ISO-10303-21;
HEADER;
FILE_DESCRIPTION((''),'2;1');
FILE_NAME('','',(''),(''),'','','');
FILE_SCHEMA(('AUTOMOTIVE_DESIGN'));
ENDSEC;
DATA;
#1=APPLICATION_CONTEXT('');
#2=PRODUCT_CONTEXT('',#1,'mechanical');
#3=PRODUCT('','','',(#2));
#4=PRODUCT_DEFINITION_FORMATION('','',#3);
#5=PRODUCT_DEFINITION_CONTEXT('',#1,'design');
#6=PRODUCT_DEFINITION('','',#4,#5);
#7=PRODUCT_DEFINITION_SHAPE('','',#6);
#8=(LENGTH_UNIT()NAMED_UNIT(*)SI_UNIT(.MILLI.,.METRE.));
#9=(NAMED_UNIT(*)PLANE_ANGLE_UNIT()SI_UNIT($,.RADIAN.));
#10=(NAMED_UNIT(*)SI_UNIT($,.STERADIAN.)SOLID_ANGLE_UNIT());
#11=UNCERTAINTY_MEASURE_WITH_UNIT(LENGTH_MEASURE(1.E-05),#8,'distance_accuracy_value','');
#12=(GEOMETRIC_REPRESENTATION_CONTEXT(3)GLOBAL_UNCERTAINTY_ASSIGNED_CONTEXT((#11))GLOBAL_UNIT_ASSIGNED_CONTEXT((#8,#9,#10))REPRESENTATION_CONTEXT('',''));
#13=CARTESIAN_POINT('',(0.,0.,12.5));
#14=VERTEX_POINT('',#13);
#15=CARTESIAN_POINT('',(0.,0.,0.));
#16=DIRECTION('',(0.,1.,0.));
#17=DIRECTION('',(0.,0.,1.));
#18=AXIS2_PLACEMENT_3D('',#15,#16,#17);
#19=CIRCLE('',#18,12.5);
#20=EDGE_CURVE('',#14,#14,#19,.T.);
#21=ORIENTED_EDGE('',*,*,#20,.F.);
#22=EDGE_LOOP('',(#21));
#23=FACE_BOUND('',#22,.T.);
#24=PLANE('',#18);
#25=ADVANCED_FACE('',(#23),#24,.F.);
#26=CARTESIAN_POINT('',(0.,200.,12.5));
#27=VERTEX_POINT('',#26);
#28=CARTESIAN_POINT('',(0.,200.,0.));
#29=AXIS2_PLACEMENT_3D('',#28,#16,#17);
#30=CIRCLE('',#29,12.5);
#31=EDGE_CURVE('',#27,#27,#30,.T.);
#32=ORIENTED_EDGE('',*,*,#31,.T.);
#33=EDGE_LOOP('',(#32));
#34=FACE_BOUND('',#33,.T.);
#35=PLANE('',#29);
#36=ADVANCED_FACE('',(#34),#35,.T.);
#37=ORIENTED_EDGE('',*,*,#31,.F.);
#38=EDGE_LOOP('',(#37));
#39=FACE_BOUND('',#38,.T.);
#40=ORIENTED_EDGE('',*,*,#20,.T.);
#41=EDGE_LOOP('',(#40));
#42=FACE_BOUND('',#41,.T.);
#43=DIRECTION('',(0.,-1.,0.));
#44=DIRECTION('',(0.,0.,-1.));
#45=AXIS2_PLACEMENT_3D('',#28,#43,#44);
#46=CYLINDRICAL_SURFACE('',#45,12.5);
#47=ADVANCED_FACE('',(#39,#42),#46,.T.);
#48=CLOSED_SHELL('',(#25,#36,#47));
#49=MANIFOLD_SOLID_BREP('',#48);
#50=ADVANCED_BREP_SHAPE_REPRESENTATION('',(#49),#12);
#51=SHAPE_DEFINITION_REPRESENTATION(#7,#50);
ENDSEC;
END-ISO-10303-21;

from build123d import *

# Parameters (mm, degrees)
SKETCH1_R           = 12.5
BOSS_EXTRUDE1_DEPTH = 200


with BuildPart() as part:
    # Sketch1 → Boss-Extrude1 (new body)
    with BuildSketch(Plane(origin=(0, 0, 0), x_dir=(1, 0, 0), z_dir=(0, 1, 0))):
        Circle(SKETCH1_R)
    extrude(amount=BOSS_EXTRUDE1_DEPTH)


solid = part.part
